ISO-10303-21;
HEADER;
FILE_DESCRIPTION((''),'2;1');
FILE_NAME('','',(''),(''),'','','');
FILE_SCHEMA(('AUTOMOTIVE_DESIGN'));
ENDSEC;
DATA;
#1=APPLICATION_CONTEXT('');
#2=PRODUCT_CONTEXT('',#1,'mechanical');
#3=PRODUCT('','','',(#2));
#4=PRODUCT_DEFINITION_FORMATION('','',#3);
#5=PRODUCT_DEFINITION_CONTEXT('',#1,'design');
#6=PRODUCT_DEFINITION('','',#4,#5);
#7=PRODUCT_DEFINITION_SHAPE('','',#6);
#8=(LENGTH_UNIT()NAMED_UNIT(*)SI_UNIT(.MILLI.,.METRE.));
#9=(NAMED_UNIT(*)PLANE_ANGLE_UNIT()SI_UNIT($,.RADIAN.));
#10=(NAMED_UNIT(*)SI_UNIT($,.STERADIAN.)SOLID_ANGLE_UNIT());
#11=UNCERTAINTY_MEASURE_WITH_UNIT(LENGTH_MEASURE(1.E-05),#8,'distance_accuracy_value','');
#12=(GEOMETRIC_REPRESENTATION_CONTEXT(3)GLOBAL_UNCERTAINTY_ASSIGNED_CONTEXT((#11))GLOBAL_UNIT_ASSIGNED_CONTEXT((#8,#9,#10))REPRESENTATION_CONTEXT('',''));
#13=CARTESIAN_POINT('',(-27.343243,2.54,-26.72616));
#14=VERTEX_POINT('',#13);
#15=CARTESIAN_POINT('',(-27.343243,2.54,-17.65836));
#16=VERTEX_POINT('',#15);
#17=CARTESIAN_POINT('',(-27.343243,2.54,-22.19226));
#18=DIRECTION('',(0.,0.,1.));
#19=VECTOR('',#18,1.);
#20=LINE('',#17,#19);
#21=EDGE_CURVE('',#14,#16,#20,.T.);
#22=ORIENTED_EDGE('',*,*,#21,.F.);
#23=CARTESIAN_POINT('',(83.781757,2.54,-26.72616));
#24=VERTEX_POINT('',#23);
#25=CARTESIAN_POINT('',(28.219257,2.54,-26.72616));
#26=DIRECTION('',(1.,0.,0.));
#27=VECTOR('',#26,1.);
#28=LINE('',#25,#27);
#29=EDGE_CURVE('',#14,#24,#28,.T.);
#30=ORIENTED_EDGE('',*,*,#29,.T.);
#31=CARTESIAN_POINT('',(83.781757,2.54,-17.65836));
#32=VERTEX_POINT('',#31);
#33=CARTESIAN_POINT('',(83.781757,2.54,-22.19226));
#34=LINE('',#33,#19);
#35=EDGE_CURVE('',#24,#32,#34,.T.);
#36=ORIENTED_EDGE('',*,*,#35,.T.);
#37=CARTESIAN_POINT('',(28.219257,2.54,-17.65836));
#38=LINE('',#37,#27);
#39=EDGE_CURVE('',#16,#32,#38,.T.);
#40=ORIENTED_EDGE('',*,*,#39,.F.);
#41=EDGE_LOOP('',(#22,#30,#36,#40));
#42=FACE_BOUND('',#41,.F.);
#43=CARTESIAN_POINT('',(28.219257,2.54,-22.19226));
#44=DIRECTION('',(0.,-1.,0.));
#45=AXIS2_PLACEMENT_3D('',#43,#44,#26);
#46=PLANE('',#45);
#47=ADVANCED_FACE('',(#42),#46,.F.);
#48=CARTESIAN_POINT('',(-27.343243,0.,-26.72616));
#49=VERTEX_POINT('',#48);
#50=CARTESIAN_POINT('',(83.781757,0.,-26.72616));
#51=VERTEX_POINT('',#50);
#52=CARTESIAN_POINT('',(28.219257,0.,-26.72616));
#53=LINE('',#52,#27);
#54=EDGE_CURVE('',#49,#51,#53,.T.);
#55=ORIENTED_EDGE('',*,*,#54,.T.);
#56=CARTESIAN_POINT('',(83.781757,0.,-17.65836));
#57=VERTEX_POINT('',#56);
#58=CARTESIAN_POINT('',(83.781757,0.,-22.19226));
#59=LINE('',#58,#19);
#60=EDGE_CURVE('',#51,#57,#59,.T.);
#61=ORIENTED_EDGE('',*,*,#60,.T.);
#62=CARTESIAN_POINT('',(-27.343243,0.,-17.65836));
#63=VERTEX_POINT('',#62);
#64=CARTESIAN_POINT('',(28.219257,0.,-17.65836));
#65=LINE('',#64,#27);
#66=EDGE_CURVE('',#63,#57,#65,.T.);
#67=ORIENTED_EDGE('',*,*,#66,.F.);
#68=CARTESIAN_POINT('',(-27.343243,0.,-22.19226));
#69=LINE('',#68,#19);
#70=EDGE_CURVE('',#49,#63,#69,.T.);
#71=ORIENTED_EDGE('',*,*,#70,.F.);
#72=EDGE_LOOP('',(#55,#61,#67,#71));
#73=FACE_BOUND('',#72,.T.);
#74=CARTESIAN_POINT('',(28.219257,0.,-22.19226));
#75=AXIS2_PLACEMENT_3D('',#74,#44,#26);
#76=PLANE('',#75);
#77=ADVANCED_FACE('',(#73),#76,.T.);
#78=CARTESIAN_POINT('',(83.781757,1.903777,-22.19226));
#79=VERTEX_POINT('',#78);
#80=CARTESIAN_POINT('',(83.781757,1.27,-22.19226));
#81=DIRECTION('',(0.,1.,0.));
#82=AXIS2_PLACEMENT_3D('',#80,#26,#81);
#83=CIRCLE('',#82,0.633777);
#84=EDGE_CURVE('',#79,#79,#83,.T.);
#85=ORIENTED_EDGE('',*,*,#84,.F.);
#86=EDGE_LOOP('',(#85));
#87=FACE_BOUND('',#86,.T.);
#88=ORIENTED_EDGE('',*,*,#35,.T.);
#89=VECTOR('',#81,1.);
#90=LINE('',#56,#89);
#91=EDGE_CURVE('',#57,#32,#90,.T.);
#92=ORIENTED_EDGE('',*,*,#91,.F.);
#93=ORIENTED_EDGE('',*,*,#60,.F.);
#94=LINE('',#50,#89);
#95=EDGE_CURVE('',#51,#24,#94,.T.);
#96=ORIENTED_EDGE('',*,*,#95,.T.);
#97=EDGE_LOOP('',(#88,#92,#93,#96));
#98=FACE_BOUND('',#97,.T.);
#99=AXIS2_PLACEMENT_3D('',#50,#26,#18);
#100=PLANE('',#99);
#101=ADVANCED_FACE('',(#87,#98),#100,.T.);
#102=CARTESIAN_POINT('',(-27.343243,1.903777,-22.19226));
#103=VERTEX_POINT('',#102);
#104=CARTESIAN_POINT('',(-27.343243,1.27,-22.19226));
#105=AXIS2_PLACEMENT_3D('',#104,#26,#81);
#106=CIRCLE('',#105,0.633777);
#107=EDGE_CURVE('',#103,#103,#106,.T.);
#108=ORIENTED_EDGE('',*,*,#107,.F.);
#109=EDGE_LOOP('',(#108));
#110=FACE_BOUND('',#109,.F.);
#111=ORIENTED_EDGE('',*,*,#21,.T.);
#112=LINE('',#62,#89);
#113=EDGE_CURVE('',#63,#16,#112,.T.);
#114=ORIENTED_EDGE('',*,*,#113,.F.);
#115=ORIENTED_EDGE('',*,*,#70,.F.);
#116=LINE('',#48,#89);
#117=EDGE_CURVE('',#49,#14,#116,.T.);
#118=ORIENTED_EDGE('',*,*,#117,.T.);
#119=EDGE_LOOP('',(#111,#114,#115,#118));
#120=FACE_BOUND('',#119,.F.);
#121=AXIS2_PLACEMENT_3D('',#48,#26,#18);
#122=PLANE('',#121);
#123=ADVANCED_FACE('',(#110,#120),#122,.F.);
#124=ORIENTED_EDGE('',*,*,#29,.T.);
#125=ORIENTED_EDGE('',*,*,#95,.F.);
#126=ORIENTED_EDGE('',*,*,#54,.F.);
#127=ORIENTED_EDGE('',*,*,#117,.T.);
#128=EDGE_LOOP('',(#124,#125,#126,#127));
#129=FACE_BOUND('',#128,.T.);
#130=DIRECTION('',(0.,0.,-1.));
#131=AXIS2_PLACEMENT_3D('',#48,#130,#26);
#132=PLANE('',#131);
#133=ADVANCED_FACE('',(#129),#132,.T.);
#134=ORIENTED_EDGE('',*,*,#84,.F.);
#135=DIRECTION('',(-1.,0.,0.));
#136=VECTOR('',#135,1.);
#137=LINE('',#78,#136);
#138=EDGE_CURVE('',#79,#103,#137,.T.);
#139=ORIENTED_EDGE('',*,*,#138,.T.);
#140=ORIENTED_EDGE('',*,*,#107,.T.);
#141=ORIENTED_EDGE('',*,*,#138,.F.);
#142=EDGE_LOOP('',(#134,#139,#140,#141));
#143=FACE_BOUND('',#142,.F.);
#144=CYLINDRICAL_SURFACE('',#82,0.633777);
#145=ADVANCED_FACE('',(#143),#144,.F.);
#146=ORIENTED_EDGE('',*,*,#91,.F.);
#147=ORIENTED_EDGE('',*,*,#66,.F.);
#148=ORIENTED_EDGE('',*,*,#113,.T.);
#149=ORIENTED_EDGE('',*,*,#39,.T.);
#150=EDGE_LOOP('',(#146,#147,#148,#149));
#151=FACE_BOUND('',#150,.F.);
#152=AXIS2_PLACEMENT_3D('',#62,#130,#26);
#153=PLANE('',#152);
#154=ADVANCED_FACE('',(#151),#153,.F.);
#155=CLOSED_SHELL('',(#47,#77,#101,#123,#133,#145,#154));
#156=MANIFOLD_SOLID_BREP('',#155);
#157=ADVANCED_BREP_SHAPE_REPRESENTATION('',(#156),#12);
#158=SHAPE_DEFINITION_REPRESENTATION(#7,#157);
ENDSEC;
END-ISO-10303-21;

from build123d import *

# Parameters (mm, degrees)
F0_W     = 111.125
F0_H     = 9.0678
F1_DEPTH = 2.54
F2_R     = 0.633777
F3_DEPTH = 131.826


with BuildPart() as f1:
    # F0 (on Front) → F1 (new body)
    with BuildSketch(Plane.XZ):
        with Locations((28.219257, -22.19226)):
            Rectangle(F0_W, F0_H)
    extrude(amount=-F1_DEPTH)

    # F2 (on face) → F3 (cut)
    with BuildSketch(Plane.YZ.offset(83.781757)):
        with Locations((1.27, -22.19226)):
            Circle(F2_R)
    extrude(amount=-F3_DEPTH, mode=Mode.SUBTRACT)


solid = f1.part
